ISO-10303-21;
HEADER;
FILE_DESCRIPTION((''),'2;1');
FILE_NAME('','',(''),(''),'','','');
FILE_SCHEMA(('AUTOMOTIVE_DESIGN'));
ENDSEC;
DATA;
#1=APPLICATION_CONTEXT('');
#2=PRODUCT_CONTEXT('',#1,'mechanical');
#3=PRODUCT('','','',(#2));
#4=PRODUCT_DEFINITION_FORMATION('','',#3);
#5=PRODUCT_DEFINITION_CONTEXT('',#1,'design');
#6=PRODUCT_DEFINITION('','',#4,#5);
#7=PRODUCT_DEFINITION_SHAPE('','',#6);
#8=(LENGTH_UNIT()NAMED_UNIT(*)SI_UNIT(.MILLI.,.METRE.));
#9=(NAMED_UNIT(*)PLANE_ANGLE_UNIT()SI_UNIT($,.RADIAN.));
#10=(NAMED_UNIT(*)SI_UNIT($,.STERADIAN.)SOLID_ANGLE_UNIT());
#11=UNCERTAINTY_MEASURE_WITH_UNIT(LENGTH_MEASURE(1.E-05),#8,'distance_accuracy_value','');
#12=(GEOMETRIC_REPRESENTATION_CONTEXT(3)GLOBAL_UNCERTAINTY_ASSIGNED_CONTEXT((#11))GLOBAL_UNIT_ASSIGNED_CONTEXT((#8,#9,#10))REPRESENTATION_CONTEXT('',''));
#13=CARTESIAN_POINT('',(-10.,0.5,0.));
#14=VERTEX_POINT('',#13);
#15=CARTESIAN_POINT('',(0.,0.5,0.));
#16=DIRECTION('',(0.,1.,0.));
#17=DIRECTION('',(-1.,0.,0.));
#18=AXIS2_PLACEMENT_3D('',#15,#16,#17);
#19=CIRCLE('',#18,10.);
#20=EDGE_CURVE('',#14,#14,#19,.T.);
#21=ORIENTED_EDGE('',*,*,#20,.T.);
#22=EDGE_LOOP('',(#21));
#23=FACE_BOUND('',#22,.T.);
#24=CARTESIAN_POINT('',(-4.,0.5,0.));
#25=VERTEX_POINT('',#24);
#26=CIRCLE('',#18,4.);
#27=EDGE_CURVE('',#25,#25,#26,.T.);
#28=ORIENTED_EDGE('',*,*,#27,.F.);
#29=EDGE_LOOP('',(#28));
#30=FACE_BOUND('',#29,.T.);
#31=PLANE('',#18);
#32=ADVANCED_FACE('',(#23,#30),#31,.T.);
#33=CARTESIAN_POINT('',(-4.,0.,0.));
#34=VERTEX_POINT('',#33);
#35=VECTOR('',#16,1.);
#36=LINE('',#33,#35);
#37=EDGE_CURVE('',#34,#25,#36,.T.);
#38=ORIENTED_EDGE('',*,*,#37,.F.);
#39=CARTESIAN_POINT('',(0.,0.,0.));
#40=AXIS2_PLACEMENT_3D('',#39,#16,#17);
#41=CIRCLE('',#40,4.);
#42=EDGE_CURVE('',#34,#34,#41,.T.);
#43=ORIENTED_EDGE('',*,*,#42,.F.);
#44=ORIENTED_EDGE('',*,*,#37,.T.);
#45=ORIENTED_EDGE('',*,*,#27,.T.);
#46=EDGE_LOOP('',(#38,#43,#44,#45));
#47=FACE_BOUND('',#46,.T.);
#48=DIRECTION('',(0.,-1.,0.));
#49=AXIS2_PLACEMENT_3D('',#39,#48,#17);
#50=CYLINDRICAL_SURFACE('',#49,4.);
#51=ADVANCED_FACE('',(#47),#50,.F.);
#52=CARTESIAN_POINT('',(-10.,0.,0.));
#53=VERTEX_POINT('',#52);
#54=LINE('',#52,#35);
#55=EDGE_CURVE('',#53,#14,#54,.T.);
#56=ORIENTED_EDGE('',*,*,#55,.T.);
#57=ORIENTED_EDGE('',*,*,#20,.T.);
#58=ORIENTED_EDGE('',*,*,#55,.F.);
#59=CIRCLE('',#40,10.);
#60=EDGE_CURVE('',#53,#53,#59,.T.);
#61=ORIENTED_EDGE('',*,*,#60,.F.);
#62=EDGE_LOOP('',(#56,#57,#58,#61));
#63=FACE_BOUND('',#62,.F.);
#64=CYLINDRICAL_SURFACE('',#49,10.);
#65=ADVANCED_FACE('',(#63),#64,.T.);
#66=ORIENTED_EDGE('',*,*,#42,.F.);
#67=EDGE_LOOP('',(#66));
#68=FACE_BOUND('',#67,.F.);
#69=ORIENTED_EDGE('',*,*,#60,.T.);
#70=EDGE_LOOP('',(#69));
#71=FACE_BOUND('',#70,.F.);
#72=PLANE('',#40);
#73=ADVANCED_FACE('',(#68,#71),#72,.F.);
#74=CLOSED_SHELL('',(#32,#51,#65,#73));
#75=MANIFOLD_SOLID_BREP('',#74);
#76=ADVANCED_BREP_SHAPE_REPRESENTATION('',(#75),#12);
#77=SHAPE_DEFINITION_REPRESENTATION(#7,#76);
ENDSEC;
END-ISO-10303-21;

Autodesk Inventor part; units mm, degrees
ref_plane "YZ Plane" through (0, 0, 0) normal (1, 0, 0) x (0, 1, 0)
ref_plane "XZ Plane" through (0, 0, 0) normal (0, 1, 0) x (-1, 0, 0)
ref_plane "XY Plane" through (0, 0, 0) normal (0, 0, 1) x (1, 0, 0)
sketch "スケッチ1" plane through (0, 0, 0) normal (0, 1, 0) x (-1, 0, 0)
  circle A0 centre (0, 0) radius 10
  circle A1 centre (0, 0) radius 4
  dimension "d0" = 20
  dimension "d2" = 8
extrude "押し出し1" add sketch "スケッチ1" along normal blind 0.5
properties part number "01" material "アセタール樹脂、白"
